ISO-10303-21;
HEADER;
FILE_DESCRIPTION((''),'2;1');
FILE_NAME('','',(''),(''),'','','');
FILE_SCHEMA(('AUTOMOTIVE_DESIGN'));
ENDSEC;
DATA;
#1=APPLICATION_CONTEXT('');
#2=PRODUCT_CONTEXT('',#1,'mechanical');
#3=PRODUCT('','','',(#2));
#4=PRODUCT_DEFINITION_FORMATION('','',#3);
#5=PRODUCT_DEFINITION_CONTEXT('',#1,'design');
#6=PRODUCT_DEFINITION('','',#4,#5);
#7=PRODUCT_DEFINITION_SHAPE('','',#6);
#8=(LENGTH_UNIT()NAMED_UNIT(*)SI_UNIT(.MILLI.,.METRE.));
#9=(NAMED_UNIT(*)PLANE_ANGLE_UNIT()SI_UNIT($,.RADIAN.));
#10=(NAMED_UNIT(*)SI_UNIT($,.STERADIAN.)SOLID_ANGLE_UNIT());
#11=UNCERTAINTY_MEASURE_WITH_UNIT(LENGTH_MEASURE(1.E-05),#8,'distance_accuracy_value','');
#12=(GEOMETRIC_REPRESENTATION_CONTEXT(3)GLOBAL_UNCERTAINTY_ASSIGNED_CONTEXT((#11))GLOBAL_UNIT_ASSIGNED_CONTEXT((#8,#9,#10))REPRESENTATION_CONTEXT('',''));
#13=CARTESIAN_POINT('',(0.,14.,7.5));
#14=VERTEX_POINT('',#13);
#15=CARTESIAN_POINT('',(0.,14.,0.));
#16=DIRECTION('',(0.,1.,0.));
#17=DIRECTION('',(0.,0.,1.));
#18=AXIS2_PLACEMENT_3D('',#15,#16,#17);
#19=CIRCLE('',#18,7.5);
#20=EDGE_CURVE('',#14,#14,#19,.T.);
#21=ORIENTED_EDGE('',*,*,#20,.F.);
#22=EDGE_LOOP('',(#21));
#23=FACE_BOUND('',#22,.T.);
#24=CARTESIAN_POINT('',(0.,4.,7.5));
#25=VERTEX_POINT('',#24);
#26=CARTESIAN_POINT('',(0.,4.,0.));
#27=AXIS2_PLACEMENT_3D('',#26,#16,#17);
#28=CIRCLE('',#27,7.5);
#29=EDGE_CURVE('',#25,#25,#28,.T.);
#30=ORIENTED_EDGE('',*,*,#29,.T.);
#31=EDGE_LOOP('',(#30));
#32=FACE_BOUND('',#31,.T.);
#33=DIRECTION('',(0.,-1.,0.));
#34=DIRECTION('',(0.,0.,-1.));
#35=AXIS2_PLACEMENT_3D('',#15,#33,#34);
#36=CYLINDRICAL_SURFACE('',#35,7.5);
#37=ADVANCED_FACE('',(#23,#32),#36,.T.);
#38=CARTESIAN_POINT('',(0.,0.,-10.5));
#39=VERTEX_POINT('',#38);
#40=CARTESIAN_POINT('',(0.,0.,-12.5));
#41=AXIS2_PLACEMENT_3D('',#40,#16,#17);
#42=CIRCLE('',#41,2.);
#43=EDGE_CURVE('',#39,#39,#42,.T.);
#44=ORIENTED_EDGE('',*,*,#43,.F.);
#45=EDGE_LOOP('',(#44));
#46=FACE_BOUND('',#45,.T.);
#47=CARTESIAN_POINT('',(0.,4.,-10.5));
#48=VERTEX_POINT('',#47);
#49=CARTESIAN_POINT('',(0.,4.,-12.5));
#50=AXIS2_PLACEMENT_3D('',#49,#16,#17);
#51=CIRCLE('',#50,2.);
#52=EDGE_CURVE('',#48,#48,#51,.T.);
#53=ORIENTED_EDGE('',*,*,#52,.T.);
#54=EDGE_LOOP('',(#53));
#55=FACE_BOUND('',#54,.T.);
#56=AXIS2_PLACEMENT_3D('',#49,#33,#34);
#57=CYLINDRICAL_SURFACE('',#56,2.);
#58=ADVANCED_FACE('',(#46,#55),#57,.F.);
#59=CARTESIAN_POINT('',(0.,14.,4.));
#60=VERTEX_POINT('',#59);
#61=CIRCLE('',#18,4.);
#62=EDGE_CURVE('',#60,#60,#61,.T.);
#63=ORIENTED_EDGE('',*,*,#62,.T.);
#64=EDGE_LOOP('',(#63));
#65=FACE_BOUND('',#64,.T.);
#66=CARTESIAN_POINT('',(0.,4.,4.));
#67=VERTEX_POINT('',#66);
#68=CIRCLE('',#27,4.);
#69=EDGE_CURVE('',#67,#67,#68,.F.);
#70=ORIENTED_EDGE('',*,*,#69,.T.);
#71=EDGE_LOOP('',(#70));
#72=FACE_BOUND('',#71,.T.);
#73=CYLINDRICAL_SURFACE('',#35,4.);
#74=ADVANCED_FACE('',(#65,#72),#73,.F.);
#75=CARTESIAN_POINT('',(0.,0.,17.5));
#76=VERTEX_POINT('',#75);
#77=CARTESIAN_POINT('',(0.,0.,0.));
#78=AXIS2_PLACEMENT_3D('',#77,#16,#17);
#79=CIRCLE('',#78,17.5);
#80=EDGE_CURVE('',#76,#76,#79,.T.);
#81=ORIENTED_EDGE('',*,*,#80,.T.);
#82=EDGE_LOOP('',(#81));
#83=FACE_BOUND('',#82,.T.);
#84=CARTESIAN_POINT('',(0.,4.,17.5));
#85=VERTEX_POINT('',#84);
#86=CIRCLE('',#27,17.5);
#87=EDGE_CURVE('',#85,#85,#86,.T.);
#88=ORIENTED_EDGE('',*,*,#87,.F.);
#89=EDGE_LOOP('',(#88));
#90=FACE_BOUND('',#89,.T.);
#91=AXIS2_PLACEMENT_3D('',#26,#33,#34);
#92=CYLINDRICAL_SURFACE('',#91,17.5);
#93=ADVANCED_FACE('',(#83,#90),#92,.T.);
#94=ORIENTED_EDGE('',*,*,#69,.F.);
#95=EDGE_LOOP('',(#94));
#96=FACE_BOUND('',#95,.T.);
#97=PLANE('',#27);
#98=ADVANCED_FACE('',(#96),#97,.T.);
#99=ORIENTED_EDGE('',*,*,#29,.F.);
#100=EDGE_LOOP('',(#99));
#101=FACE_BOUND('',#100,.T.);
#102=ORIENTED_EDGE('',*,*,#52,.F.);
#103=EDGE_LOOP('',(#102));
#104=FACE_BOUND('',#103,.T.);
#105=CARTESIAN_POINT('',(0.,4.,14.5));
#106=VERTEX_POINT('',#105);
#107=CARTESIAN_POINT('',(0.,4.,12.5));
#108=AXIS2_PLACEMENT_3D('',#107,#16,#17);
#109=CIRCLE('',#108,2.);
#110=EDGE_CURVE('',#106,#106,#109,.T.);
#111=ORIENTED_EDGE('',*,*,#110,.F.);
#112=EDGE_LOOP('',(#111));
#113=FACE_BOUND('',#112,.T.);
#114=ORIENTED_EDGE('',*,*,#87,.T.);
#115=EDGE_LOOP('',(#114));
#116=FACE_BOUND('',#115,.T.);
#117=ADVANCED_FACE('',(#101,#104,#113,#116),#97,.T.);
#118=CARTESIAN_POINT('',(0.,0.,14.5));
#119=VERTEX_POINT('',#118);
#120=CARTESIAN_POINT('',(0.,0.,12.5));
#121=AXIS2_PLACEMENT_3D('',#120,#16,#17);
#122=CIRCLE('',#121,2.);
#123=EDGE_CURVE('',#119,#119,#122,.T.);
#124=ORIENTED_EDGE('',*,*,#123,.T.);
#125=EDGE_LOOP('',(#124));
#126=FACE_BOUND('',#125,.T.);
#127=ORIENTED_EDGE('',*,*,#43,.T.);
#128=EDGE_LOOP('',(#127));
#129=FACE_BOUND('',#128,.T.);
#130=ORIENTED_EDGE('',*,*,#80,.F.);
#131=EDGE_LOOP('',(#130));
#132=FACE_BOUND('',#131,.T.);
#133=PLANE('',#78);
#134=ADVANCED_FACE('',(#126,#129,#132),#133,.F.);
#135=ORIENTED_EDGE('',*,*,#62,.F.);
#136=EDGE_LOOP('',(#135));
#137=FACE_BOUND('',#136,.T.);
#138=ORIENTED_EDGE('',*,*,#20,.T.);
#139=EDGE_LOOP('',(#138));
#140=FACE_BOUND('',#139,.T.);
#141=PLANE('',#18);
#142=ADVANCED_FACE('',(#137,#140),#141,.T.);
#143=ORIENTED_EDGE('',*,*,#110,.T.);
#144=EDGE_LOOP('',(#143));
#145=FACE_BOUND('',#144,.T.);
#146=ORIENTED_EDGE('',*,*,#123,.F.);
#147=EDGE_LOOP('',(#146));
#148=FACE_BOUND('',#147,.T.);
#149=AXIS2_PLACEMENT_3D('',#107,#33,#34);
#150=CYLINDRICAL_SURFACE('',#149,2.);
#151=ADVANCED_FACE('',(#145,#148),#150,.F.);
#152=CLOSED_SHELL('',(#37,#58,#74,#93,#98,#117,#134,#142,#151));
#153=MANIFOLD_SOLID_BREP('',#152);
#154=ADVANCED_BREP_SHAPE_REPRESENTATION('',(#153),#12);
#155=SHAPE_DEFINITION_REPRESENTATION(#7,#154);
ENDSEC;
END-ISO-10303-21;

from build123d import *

# Parameters (mm, degrees)
SKETCH1_R           = 17.5
SKETCH1_R_2         = 2
BOSS_EXTRUDE1_DEPTH = 4
SKETCH2_R           = 7.5
SKETCH2_R_2         = 4
BOSS_EXTRUDE2_DEPTH = 10


with BuildPart() as part:
    # Sketch1 → Boss-Extrude1 (new body)
    with BuildSketch(Plane(origin=(0, 0, 0), x_dir=(1, 0, 0), z_dir=(0, 1, 0))):
        Circle(SKETCH1_R)
        with Locations((0, 12.5)):
            Circle(SKETCH1_R_2, mode=Mode.SUBTRACT)
        with Locations((0, -12.5)):
            Circle(SKETCH1_R_2, mode=Mode.SUBTRACT)
    extrude(amount=BOSS_EXTRUDE1_DEPTH)

    # Sketch2 → Boss-Extrude2 (add)
    with BuildSketch(Plane(origin=(0, 4, 0), x_dir=(1, 0, 0), z_dir=(0, 1, 0))):
        Circle(SKETCH2_R)
        Circle(SKETCH2_R_2, mode=Mode.SUBTRACT)
    extrude(amount=BOSS_EXTRUDE2_DEPTH)


solid = part.part
